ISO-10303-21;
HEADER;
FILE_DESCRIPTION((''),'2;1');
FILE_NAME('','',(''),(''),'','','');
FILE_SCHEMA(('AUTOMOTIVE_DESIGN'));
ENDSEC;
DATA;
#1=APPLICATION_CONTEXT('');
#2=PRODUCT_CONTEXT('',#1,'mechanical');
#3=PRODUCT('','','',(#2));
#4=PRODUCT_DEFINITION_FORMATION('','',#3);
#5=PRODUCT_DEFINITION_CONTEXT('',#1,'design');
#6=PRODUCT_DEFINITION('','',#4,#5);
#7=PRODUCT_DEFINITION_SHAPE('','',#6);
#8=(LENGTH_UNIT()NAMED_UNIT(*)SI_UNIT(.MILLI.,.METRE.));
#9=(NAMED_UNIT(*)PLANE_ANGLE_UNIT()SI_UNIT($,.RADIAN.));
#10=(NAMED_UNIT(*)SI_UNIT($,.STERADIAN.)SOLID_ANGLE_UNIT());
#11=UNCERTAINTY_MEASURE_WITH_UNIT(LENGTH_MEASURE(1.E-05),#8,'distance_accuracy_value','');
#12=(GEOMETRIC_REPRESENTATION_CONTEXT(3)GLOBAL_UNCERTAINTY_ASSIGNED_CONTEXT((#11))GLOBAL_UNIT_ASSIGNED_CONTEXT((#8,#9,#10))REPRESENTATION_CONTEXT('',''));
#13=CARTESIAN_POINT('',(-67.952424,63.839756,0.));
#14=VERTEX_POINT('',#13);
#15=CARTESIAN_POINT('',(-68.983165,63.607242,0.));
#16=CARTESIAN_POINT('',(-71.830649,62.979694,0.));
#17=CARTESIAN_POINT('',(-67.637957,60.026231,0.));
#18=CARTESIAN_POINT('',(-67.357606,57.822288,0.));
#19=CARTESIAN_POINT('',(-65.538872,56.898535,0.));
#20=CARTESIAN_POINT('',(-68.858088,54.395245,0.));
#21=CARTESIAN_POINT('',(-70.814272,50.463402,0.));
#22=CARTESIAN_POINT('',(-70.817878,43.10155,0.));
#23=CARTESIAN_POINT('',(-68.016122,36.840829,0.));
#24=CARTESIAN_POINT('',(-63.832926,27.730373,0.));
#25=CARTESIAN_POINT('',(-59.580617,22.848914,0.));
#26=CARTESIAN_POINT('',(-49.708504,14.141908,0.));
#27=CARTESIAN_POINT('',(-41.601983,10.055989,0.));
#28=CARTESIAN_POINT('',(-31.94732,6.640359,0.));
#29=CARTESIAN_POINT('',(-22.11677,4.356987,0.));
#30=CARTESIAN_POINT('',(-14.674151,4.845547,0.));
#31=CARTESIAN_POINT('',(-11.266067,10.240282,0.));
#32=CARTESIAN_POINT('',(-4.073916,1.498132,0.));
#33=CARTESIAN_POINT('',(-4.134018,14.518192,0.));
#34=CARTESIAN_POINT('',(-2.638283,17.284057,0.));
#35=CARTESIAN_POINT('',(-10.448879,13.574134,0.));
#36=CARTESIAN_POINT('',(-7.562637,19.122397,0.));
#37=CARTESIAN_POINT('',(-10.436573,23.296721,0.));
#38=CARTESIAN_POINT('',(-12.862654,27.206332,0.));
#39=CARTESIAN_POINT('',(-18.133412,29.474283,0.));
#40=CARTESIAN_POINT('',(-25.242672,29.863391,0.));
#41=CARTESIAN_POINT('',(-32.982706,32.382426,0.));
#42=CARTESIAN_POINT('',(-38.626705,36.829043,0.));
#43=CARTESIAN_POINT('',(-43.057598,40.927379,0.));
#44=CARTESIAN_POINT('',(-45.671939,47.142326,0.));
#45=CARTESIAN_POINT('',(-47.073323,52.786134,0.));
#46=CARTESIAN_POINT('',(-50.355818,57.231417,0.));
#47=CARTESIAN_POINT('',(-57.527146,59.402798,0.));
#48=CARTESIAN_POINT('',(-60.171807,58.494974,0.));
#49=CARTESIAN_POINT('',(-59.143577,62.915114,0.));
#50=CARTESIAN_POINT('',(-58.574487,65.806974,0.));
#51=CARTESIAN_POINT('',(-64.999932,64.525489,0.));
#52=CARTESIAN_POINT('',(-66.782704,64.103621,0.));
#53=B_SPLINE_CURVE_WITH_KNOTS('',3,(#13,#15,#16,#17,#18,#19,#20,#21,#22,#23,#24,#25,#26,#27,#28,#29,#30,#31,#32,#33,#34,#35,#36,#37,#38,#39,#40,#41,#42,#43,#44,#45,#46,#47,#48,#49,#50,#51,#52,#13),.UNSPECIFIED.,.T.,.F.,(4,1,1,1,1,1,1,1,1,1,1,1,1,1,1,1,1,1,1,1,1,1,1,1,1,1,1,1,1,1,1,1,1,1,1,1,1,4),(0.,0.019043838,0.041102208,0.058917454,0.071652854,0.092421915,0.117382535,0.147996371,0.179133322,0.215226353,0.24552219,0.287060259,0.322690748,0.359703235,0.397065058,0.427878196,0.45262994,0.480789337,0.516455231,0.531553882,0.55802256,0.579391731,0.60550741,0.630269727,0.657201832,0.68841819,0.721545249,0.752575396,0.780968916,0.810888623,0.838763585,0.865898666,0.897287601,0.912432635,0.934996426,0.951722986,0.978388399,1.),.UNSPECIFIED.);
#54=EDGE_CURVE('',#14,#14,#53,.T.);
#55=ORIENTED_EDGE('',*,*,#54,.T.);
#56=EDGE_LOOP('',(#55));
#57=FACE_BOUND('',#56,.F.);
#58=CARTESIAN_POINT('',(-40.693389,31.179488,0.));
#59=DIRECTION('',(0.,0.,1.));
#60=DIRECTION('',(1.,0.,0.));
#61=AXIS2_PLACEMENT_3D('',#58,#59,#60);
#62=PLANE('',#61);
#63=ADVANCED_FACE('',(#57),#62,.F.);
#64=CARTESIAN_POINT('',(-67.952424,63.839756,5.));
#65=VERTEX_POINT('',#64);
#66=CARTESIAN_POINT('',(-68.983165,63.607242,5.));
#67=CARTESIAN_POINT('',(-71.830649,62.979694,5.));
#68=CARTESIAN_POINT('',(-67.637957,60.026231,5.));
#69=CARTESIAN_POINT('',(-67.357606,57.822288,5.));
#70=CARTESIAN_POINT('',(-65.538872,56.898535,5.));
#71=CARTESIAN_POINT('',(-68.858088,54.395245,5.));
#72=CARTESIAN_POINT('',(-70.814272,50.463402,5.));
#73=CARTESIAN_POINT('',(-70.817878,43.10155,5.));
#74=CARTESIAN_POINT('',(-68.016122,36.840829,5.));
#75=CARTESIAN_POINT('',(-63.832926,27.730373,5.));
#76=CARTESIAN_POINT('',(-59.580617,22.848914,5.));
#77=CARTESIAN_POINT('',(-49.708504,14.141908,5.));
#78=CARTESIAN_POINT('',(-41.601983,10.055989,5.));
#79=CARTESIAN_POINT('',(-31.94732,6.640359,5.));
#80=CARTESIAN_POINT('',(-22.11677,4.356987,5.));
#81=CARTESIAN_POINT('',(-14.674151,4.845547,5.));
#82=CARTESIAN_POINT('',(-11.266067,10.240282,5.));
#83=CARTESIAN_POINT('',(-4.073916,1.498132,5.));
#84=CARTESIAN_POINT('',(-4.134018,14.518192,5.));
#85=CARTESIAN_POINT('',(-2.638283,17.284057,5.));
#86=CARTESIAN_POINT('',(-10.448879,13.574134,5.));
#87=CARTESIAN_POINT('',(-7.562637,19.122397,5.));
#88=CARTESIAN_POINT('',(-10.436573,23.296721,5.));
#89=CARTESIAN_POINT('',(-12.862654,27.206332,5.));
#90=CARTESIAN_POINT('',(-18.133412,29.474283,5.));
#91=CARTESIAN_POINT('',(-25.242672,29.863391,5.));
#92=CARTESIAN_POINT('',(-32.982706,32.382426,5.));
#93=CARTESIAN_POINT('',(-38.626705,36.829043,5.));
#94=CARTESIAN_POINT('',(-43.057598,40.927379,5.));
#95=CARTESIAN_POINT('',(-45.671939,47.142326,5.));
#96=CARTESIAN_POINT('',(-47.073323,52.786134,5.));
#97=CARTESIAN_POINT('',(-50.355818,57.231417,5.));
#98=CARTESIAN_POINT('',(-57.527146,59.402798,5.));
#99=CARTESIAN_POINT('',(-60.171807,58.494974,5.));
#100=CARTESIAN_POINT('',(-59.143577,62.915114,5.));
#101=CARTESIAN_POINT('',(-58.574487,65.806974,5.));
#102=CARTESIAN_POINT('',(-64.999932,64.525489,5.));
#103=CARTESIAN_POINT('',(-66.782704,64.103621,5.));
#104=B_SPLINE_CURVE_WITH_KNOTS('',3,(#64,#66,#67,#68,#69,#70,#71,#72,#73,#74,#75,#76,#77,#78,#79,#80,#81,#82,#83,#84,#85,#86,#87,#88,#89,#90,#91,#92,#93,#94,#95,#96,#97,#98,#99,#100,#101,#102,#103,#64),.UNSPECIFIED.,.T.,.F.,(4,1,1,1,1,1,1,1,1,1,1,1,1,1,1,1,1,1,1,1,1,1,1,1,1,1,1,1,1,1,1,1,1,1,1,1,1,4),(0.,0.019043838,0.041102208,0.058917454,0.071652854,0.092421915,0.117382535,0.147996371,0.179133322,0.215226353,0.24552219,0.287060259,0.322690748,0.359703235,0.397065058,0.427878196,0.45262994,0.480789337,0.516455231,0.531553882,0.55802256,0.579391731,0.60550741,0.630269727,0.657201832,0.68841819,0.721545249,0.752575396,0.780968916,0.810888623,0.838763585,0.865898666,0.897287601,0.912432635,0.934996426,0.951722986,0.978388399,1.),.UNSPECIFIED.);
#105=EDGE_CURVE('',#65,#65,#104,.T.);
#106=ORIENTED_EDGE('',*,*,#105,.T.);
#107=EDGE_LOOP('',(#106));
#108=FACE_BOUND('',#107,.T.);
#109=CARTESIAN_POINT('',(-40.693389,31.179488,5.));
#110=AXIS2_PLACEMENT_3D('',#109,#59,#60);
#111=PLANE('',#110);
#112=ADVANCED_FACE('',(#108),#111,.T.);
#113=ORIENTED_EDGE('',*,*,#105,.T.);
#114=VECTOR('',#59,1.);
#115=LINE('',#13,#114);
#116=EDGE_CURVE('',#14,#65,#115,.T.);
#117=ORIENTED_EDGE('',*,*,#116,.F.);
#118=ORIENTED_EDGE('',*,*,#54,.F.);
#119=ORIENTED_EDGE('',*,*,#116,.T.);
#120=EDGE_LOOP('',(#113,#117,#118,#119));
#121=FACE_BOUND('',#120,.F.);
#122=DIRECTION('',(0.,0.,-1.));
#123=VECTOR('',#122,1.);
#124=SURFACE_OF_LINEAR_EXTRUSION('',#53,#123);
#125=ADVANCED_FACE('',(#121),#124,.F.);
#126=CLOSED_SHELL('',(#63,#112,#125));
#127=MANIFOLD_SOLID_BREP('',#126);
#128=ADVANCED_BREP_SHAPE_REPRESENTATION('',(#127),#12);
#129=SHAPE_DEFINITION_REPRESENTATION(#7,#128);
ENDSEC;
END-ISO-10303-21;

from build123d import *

# Parameters (mm, degrees)
F1_DEPTH = 5


with BuildPart() as f1:
    # F0 (on Top) → F1 (new body)
    with BuildSketch(Plane.XY):
        with BuildLine():
            add(Edge.make_bspline(
                [(-67.9524242878, 63.8397559524), (-68.9831652693, 63.6072415948), (-71.8306488927, 62.9796943958), (-67.6379568612, 60.0262308357), (-67.3576055015, 57.8222878168), (-65.5388717629, 56.8985351624), (-68.8580883754, 54.395245375), (-70.8142720739, 50.4634019117), (-70.8178779264, 43.1015495287), (-68.0161220458, 36.8408288996), (-63.8329264697, 27.730372554), (-59.5806170616, 22.8489144813), (-49.7085042916, 14.141907793), (-41.6019831231, 10.0559894798), (-31.947320159, 6.6403592883), (-22.1167699013, 4.3569871266), (-14.674150799, 4.8455472977), (-11.266066911, 10.240281903), (-4.0739163796, 1.4981317361), (-4.1340183838, 14.5181918314), (-2.6382827755, 17.2840571845), (-10.4488787156, 13.574133721), (-7.5626365985, 19.1223970846), (-10.4365731563, 23.2967213426), (-12.8626541914, 27.2063322038), (-18.1334121363, 29.474283159), (-25.2426716195, 29.8633905554), (-32.9827060492, 32.3824255863), (-38.6267048722, 36.8290429629), (-43.0575975094, 40.9273793108), (-45.6719387907, 47.1423263636), (-47.073322512, 52.7861342383), (-50.3558184993, 57.2314165315), (-57.5271462813, 59.4027980438), (-60.1718068006, 58.4949742591), (-59.1435770895, 62.91511396), (-58.5744865466, 65.8069738844), (-64.9999322705, 64.5254894316), (-66.7827040648, 64.1036212212), (-67.9524242878, 63.8397559524)],
                knots=[0, 0, 0, 0, 0.0190438384, 0.0411022083, 0.058917454, 0.0716528536, 0.092421915, 0.1173825355, 0.1479963709, 0.1791333223, 0.2152263534, 0.2455221902, 0.2870602587, 0.3226907478, 0.3597032355, 0.3970650582, 0.4278781964, 0.4526299399, 0.4807893368, 0.5164552309, 0.5315538821, 0.5580225597, 0.5793917309, 0.6055074099, 0.6302697265, 0.6572018316, 0.6884181897, 0.721545249, 0.7525753956, 0.7809689155, 0.8108886229, 0.8387635848, 0.8658986656, 0.8972876014, 0.9124326348, 0.9349964256, 0.9517229861, 0.9783883989, 1, 1, 1, 1], degree=3))
        make_face()
    extrude(amount=F1_DEPTH)


solid = f1.part
